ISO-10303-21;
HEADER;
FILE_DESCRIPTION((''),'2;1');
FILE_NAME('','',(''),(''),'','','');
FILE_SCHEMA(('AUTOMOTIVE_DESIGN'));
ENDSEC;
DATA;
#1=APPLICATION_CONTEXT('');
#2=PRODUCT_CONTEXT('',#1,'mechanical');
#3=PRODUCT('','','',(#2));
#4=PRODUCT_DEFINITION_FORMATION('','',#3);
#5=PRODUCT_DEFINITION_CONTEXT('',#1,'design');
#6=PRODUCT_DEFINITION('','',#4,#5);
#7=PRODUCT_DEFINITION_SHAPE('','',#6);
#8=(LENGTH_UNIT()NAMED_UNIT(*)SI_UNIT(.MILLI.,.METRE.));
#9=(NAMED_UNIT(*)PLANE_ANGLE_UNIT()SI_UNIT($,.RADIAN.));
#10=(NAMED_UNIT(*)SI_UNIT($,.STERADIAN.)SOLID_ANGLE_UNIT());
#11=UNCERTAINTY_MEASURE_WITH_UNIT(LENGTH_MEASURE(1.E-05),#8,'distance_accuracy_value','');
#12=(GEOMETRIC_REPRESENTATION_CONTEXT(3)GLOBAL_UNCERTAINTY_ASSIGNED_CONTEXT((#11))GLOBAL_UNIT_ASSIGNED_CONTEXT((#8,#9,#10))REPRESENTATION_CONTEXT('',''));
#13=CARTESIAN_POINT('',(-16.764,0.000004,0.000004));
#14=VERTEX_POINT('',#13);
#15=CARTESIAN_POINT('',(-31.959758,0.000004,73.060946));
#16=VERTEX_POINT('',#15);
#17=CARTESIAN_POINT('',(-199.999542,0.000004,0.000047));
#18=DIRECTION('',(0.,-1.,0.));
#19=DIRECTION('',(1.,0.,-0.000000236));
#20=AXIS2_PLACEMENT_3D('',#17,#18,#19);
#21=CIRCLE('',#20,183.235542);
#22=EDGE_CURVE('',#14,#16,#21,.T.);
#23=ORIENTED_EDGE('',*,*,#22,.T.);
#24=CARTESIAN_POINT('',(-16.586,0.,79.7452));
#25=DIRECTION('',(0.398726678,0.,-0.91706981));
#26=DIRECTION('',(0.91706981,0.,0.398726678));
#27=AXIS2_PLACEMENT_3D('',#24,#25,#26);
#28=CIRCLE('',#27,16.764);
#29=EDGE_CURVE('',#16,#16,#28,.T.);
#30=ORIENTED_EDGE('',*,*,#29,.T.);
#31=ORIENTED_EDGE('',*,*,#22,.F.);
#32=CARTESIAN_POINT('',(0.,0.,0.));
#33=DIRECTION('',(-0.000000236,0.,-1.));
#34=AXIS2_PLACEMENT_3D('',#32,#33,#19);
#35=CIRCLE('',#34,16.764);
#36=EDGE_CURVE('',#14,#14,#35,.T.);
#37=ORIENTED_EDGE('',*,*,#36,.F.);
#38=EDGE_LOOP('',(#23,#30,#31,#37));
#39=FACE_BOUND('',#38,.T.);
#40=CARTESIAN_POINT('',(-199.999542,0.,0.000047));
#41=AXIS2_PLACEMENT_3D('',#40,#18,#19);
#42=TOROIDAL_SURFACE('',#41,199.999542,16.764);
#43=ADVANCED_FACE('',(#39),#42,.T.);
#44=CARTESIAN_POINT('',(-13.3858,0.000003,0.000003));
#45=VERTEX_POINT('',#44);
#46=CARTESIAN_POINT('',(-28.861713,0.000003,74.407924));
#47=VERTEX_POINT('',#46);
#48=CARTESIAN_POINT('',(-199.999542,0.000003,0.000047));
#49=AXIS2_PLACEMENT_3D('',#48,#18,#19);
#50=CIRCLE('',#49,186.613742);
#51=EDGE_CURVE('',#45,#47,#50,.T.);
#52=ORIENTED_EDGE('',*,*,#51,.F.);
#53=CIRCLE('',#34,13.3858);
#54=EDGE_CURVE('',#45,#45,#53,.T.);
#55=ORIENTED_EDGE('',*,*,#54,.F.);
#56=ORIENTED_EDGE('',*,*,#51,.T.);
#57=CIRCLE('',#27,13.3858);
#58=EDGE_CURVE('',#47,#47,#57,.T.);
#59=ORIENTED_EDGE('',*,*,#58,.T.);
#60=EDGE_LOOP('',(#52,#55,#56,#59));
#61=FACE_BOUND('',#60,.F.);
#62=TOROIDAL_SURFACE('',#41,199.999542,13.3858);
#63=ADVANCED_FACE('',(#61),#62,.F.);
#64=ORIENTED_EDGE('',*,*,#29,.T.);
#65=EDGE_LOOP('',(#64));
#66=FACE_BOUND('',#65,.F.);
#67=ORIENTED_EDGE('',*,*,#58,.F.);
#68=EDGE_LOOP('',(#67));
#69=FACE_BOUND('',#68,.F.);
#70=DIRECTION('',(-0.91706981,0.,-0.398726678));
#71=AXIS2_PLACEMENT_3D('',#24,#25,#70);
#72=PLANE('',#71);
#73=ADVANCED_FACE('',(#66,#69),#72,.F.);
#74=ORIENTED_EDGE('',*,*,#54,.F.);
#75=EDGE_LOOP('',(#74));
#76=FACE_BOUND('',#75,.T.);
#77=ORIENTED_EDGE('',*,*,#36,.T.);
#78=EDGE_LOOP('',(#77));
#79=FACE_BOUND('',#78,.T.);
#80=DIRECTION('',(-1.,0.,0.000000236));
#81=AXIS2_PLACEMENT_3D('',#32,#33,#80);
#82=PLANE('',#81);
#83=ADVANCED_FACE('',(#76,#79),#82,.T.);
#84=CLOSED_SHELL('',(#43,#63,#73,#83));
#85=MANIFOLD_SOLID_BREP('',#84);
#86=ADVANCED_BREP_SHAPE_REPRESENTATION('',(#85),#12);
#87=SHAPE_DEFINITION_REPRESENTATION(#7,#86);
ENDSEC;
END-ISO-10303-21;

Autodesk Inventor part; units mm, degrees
ref_plane "Start plane" through (0, 0, 0) normal (0, 0, 1) x (1, 0, 0)
ref_plane "End plane" through (0, 0, 82.0255) normal (0, 0, 1) x (1, 0, 0)
sketch "Sketch" plane through (0, 0, 0) normal (0, 0, -1) x (-1, 0, 0)
  circle A0 centre (0, 0) radius 13.3858
  circle A1 centre (0, 0) radius 16.764
  dimension "d0" = 33.528
  dimension "d1" = 3.3782
sketch "Sketch3" plane through (0, 0, 0) normal (0, 0, 1) x (1, 0, 0)
  line L0 (0, 0) -> (10, 0)
ref_plane "Work Plane3" through (0, 0, 0) normal (0, -1, 0) x (1, 0, 0)
ref_plane "Orientation Work Plane" through (0, 0, 0) normal (0, 0, -1) x (-1, 0, 0)
sketch3d "Sweep Path"
  arc A0 (0, 0, 0) -> (-16.586, 0, 79.7452) centre (-200, 0, 0) ccw
sweep "Body" add profiles "Sketch" path "Sweep Path"
sketch "Sketch4" plane through (0, 0, 0) normal (0, -1, 0) x (1, 0, 0)
  line L0 (-2, 0) -> (12, 0) projected
  line L1 (-2, 82.0255) -> (12, 82.0255) projected
  dimension "d7" = 82.0255
equation "\"d0\" = G_H"
equation "\"d1\" = G_T"
equation "\"G_H\" = 33.528"
equation "\"G_T\" = 3.3782"
equation "\"G_L\" = d7"
equation "\"G_OFFSET_START\" = 0"
equation "\"G_OFFSET_END\" = 0"
equation "\"d5\" = G_OFFSET_END + B_L"
equation "\"B_L\" = 82.02547"
properties part number "ANSI - 1 x 0.133 - 3.229" material "Steel, Mild"
